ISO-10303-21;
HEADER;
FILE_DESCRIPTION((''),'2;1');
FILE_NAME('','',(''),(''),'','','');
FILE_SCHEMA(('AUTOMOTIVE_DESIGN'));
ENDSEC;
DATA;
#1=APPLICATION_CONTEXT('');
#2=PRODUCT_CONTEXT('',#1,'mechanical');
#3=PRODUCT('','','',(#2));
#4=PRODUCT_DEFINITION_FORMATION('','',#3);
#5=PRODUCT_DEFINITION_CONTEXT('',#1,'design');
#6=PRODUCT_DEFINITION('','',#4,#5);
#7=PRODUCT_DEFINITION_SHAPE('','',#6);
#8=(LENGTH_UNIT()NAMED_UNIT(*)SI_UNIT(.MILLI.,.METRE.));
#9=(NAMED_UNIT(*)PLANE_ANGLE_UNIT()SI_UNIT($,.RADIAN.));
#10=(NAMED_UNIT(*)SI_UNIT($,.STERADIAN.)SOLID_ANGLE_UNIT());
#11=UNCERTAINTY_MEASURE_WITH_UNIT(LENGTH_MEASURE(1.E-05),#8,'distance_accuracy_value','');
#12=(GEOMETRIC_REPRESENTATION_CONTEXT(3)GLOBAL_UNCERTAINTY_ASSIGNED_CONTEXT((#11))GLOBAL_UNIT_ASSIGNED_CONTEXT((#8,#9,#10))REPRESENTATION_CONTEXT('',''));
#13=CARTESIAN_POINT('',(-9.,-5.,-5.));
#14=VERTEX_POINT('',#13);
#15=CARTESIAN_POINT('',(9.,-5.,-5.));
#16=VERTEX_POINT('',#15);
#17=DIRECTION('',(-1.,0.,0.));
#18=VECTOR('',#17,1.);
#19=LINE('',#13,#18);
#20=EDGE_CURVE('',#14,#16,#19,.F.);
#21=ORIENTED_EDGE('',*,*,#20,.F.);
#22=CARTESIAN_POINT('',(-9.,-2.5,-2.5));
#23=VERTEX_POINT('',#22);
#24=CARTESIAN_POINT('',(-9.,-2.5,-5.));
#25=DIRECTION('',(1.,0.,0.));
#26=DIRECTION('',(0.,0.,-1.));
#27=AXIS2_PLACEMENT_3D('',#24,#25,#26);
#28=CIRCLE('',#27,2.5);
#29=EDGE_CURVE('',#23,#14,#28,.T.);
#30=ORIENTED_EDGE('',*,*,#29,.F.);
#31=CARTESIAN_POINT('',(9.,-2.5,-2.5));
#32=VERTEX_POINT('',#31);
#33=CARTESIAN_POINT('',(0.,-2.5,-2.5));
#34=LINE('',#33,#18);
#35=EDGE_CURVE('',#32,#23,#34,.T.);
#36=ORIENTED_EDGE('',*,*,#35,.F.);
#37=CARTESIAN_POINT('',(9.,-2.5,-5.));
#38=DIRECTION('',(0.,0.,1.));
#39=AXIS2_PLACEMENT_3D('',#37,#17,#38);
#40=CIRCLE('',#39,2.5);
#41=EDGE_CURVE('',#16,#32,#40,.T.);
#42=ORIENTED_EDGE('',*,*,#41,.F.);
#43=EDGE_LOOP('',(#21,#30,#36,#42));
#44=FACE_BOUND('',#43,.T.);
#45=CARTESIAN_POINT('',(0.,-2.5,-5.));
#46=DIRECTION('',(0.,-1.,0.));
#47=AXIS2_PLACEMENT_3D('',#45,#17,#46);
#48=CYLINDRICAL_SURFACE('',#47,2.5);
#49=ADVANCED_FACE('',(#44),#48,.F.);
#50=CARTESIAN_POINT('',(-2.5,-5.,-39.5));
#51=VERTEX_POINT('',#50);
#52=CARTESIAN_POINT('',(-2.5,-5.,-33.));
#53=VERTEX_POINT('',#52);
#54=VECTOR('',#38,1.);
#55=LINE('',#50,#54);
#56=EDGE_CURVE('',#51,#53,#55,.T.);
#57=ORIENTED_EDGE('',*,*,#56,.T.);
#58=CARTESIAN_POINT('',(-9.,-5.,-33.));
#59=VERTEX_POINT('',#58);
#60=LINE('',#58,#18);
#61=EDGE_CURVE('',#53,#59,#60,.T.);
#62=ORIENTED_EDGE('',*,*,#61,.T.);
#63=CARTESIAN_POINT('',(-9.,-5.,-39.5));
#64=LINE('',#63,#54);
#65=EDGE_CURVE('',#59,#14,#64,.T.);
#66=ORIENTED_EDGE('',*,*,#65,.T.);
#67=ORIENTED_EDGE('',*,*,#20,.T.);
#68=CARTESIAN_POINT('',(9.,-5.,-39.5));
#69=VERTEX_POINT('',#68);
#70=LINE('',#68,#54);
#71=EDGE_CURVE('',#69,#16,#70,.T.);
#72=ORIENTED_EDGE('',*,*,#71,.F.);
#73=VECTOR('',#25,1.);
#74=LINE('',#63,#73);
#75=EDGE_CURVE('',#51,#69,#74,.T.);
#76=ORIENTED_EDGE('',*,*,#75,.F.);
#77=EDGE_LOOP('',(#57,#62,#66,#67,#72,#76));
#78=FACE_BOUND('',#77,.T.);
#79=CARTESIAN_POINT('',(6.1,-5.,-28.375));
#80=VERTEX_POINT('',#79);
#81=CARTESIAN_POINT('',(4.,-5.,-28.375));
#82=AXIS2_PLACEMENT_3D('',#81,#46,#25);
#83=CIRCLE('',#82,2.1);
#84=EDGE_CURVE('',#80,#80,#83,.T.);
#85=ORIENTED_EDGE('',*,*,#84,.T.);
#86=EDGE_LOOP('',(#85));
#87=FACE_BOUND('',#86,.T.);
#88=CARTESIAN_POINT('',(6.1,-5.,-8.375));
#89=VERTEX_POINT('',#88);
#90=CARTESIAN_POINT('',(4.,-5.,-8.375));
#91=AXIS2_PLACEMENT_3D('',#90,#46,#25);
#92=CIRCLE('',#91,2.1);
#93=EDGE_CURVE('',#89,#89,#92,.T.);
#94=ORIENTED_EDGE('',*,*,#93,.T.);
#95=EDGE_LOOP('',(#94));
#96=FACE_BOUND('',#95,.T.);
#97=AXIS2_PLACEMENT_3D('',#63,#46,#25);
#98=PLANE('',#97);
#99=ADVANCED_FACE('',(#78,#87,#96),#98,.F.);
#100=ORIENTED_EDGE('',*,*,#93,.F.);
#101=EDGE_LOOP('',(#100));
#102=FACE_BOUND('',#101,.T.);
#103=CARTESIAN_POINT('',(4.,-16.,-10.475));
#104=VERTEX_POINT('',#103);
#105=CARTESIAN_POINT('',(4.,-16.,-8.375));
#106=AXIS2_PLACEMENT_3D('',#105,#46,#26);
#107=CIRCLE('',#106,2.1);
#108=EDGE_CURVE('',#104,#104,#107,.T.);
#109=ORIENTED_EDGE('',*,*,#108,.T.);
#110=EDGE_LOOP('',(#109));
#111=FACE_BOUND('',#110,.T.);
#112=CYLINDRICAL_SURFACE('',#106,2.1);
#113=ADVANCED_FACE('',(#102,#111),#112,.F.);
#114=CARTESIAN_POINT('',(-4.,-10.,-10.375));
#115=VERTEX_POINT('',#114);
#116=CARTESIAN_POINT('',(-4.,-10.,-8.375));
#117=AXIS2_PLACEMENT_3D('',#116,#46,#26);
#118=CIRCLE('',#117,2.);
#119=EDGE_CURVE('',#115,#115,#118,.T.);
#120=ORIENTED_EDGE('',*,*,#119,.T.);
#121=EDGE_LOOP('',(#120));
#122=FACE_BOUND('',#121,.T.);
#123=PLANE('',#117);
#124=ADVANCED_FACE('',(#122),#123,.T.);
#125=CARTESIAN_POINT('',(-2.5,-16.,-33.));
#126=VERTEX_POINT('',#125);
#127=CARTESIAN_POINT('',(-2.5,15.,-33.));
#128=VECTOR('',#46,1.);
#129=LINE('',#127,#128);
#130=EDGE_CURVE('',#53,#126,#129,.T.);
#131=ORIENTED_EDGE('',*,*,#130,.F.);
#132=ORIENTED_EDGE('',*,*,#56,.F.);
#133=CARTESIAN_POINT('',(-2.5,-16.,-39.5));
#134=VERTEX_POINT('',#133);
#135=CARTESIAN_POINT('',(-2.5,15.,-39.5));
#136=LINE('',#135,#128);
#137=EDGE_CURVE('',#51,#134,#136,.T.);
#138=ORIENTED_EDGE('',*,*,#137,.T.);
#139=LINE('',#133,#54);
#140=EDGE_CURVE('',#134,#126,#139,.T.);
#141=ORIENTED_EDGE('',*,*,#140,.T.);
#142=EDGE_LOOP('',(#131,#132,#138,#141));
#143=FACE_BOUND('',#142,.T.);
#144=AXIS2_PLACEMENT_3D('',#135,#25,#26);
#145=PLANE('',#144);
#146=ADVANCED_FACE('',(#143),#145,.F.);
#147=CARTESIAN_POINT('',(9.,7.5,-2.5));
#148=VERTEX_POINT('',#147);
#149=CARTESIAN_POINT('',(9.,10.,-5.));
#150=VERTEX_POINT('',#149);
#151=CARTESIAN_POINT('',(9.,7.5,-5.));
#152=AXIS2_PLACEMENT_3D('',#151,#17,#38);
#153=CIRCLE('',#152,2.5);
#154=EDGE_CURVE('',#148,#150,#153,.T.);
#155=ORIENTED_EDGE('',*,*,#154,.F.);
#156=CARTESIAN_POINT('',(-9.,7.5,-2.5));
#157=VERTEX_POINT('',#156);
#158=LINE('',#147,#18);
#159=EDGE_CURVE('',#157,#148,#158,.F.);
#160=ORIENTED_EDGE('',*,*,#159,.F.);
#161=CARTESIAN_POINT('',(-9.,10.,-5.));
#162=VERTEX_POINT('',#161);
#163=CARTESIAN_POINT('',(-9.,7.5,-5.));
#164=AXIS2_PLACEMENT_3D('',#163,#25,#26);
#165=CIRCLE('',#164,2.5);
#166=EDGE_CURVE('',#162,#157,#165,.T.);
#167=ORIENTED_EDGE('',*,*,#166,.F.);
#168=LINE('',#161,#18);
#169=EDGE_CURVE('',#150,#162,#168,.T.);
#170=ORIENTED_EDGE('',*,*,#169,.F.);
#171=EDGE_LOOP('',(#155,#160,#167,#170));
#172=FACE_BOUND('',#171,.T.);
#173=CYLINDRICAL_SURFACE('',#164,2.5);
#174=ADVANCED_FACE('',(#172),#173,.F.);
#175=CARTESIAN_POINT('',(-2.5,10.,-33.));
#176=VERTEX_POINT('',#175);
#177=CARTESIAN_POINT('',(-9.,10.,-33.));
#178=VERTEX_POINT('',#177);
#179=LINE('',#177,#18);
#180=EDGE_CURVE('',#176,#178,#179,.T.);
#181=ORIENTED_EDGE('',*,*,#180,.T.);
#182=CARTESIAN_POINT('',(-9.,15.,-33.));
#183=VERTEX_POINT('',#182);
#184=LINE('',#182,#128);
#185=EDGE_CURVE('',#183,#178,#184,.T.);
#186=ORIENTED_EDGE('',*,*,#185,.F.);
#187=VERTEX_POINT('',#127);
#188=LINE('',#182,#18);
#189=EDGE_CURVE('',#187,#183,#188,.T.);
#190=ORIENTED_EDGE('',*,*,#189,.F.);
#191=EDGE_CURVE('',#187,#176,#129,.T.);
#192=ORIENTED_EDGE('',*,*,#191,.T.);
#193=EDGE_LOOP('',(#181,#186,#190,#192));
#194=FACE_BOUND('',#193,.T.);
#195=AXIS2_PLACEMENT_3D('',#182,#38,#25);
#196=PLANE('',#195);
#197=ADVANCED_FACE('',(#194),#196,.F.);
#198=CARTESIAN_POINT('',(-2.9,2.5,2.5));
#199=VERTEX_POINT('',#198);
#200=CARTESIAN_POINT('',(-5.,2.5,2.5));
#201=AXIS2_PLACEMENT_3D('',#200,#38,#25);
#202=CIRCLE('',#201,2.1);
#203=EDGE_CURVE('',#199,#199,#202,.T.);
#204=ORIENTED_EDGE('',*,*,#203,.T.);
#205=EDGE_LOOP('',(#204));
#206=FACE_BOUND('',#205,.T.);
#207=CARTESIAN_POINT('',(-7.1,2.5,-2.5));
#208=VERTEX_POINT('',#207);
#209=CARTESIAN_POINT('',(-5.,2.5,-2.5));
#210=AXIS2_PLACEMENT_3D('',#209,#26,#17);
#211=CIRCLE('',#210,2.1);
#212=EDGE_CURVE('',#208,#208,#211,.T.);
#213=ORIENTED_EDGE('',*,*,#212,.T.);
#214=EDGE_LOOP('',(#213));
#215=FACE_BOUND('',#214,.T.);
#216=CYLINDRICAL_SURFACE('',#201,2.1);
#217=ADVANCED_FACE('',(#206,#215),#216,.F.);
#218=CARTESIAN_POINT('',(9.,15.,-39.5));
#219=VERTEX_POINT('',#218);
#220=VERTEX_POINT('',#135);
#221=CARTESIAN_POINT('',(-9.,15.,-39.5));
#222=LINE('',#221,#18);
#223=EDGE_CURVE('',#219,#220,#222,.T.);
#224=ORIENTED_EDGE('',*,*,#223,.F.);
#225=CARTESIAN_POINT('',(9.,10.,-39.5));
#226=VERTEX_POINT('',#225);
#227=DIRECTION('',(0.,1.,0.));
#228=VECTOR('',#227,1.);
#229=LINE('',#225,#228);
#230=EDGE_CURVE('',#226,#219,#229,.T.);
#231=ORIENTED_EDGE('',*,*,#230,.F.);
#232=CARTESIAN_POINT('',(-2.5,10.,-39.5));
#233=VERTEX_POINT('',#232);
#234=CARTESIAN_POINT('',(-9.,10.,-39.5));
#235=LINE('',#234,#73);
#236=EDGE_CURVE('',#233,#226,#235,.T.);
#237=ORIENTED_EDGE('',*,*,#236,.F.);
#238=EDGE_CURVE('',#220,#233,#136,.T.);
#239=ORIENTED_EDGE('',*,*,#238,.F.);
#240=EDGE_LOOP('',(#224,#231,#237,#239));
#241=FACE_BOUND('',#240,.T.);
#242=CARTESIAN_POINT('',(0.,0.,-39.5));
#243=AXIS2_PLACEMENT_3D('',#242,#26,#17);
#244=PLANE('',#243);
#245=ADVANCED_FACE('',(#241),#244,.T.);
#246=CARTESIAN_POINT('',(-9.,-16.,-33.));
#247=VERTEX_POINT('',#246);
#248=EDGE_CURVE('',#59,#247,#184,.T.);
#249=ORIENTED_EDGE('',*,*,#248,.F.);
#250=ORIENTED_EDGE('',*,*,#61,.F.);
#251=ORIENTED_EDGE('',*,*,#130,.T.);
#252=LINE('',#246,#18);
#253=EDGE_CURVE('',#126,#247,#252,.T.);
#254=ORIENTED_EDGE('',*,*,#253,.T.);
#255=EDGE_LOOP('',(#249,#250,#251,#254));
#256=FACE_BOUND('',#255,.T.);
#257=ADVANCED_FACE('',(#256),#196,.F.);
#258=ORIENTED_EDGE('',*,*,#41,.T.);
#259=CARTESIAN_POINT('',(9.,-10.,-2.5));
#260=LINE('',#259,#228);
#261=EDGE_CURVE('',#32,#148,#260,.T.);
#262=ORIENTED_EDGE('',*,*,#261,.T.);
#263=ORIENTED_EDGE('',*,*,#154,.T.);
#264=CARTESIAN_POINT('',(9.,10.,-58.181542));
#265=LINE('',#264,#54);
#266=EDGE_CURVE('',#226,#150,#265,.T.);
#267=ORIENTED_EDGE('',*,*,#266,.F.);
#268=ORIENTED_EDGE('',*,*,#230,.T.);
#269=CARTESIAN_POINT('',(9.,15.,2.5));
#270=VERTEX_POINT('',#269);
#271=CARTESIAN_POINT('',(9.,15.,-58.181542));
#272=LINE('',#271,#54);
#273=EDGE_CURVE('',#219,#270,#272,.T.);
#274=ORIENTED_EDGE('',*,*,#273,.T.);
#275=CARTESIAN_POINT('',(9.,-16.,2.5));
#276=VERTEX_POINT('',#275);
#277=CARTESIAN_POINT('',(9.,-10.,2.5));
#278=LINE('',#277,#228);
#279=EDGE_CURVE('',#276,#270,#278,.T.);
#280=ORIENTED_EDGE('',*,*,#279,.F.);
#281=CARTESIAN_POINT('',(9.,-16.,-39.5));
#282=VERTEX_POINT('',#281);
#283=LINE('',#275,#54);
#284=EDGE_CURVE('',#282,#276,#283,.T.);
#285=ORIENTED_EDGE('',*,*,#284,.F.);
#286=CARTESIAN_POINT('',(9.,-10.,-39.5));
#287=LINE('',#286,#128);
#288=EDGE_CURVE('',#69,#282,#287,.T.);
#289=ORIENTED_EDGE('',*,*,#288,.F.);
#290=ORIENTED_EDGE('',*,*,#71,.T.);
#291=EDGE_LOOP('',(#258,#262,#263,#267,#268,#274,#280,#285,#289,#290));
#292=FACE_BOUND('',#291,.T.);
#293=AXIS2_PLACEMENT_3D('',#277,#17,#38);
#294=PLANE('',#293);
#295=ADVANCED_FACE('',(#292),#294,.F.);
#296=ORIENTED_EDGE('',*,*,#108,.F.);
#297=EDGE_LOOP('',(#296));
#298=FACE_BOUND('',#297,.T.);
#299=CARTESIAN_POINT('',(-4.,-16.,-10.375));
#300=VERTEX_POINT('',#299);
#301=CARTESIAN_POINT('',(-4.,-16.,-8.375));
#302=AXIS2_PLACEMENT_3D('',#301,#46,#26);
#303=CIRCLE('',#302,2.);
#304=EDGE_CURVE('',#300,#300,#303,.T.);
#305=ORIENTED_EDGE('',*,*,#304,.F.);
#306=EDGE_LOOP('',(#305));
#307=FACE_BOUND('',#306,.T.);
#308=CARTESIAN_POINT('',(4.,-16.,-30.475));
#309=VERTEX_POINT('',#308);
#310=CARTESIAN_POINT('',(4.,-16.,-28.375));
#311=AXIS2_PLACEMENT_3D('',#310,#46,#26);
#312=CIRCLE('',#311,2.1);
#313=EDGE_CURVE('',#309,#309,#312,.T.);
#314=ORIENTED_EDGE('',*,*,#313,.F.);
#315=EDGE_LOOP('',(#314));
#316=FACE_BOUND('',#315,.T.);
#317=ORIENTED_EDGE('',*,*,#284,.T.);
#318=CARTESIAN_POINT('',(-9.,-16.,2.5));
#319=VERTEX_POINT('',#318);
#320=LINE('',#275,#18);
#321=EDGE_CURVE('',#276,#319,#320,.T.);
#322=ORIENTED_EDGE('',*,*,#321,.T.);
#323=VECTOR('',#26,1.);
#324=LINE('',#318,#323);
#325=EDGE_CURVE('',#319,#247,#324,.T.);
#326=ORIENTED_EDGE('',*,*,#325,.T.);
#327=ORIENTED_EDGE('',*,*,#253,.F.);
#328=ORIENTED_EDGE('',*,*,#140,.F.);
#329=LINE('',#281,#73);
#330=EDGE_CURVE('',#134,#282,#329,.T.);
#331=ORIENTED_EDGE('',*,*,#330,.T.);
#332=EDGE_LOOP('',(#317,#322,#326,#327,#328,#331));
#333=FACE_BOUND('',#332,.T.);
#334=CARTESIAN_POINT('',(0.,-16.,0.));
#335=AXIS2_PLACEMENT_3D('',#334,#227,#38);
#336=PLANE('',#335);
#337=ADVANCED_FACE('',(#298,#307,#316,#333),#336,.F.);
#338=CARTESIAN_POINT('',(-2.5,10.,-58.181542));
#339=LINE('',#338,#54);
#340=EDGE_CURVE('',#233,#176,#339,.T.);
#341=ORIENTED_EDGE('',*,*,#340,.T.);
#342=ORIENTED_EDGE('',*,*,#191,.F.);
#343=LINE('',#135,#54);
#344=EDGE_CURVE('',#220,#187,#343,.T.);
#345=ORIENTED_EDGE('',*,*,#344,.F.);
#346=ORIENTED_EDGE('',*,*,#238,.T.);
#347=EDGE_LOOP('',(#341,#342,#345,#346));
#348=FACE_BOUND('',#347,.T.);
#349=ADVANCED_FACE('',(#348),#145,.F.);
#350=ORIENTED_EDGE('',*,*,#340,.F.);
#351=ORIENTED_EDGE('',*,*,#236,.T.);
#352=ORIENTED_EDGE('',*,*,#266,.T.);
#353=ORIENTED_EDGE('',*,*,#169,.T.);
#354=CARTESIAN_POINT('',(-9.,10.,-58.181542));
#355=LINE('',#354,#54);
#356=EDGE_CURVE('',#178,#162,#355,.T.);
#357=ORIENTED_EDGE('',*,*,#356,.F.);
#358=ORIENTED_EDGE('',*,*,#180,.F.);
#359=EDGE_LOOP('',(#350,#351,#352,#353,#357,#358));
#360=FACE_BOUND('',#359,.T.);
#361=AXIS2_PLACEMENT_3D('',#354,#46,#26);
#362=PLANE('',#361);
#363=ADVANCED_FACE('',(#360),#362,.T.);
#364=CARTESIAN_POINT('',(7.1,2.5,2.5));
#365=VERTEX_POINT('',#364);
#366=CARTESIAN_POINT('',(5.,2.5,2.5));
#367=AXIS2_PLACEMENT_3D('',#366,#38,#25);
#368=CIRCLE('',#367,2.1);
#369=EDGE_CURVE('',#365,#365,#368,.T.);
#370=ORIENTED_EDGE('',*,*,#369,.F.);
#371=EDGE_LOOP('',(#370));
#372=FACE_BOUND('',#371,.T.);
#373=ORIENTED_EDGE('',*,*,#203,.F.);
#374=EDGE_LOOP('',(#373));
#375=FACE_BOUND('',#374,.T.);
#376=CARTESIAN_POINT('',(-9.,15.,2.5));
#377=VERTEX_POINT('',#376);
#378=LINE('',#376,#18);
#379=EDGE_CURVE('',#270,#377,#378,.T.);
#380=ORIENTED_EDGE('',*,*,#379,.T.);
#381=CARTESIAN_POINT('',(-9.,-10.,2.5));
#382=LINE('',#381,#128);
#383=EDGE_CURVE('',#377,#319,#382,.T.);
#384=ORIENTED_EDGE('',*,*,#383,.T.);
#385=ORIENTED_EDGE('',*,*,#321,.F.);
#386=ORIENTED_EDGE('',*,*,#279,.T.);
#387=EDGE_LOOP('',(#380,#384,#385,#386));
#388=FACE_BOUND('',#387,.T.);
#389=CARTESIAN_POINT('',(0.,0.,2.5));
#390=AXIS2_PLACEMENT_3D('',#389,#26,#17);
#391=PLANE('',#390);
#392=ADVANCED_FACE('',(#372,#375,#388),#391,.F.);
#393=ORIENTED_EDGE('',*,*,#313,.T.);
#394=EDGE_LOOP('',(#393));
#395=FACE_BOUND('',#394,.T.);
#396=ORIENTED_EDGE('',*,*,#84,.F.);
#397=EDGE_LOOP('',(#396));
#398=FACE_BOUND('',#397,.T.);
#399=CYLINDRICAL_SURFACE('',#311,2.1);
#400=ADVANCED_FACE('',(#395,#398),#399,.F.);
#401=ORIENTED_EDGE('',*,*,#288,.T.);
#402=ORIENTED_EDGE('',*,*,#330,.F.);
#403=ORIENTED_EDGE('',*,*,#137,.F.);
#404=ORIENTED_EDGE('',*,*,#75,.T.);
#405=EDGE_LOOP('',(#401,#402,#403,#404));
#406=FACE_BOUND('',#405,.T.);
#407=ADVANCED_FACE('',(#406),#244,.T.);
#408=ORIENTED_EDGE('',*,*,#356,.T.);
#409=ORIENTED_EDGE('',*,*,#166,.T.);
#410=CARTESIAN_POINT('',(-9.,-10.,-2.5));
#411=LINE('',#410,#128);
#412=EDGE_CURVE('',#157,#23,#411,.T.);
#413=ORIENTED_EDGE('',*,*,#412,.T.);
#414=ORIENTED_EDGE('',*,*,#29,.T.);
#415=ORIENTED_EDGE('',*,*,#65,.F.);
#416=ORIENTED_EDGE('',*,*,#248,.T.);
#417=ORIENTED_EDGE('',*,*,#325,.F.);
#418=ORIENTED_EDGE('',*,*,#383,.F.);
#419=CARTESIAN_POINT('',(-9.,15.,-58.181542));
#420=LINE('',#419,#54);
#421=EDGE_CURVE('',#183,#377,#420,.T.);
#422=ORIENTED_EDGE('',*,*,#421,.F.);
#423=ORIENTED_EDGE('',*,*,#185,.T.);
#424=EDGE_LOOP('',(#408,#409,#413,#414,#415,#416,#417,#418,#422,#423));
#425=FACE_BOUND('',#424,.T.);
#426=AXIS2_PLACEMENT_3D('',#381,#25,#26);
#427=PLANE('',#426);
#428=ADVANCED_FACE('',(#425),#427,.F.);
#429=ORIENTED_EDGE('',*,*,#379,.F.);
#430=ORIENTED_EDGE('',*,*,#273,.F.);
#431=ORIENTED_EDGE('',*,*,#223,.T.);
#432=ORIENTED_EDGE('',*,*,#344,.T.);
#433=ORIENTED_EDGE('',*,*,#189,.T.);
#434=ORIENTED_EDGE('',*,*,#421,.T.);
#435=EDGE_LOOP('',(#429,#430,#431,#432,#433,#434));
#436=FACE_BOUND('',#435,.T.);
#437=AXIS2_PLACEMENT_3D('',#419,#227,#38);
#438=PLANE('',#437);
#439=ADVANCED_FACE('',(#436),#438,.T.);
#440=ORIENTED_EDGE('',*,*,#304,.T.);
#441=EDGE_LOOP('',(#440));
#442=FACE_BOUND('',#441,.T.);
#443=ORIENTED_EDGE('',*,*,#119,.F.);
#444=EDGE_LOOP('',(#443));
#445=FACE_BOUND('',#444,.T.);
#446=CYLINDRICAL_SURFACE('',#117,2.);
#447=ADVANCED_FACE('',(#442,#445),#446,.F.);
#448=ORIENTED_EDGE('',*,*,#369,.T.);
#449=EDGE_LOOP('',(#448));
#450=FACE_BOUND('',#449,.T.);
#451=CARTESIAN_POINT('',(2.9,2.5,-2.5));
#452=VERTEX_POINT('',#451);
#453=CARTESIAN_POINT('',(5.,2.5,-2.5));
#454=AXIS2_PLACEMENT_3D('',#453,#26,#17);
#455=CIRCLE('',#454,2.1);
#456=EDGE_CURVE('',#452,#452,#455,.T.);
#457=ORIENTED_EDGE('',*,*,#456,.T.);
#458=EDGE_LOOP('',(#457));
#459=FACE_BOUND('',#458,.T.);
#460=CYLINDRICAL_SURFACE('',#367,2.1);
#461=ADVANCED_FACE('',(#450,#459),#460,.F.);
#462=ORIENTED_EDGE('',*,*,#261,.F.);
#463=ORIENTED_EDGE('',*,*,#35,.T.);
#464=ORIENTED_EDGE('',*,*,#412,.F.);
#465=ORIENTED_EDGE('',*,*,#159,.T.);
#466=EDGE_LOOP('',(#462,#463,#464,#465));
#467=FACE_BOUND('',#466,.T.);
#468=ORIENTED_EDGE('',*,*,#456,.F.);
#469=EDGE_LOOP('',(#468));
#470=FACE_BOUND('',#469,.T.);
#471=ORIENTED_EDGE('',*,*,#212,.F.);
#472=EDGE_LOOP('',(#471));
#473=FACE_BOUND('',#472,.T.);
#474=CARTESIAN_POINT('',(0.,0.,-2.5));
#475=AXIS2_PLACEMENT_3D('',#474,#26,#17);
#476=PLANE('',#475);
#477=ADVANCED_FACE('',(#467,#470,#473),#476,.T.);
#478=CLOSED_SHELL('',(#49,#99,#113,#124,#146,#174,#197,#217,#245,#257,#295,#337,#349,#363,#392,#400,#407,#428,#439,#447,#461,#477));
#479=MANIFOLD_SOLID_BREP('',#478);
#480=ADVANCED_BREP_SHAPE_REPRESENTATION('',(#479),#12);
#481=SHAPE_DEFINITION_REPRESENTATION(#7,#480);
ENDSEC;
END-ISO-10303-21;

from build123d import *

# Parameters (mm, degrees)
SKETCH1_W                                  = 18
SKETCH1_H                                  = 20
BOSS_EXTRUDE1_DEPTH                        = 2.5
SKETCH2_W                                  = 18
SKETCH2_H                                  = 5
BOSS_EXTRUDE2_DEPTH                        = 42
SKETCH7_W                                  = 18
SKETCH7_H                                  = 5
BOSS_EXTRUDE3_DEPTH                        = 42
CSK_FOR_M3_HEX_SOCKET_COUNTERSUNK_CAP_SC_D = 4.2
SKETCH10_W                                 = 18
SKETCH10_H                                 = 42
BOSS_EXTRUDE4_DEPTH                        = 6
SKETCH9_W                                  = 6.5
SKETCH9_H                                  = 6.5
CUT_EXTRUDE2_DEPTH                         = 52.01225343
TAPPED_HOLE_FOR_M4X0_7_HELICOIL1_D         = 4.2
TAPPED_HOLE_FOR_M4X0_7_HELICOIL1_DEPTH     = 11
SKETCH11_R                                 = 2
CUT_EXTRUDE3_DEPTH                         = 6
FILLET1_R                                  = 2.5


with BuildPart() as part:
    # Sketch1 → Boss-Extrude1 (new, symmetric)
    with BuildSketch(Plane.XY):
        Rectangle(SKETCH1_W, SKETCH1_H)
    extrude(amount=BOSS_EXTRUDE1_DEPTH, both=True)

    # Sketch2 → Boss-Extrude2 (add)
    with BuildSketch(Plane(origin=(0, 0, 2.5), x_dir=(-1, 0, 0), z_dir=(0, 0, -1))):
        with Locations((0, -7.5)):
            Rectangle(SKETCH2_W, SKETCH2_H)
    extrude(amount=BOSS_EXTRUDE2_DEPTH)

    # Sketch7 → Boss-Extrude3 (add)
    with BuildSketch(Plane.XY.offset(2.5)):
        with Locations((0, 12.5)):
            Rectangle(SKETCH7_W, SKETCH7_H)
    extrude(amount=-BOSS_EXTRUDE3_DEPTH)

    # CSK for M3 Hex Socket Countersunk Cap Screw1 (through all)
    with Locations(Plane.XY.offset(2.5)):
        with Locations((-5, 2.5), (5, 2.5)):
            Hole(CSK_FOR_M3_HEX_SOCKET_COUNTERSUNK_CAP_SC_D / 2)

    # Sketch10 → Boss-Extrude4 (add)
    with BuildSketch(Plane.XZ.offset(10)):
        with Locations((0, -18.5)):
            Rectangle(SKETCH10_W, SKETCH10_H)
    extrude(amount=BOSS_EXTRUDE4_DEPTH)

    # Sketch9 → Cut-Extrude2 (cut, through all)
    with BuildSketch(Plane.XZ.offset(16)):
        with Locations((-5.75, -36.25)):
            Rectangle(SKETCH9_W, SKETCH9_H)
    extrude(amount=-CUT_EXTRUDE2_DEPTH, mode=Mode.SUBTRACT)

    # Tapped Hole for M4x0.7 Helicoil1
    with Locations(Plane(origin=(0, -16, 0), x_dir=(-1, 0, 0), z_dir=(0, -1, 0))):
        with Locations((-4, 28.375), (-4, 8.375)):
            Hole(TAPPED_HOLE_FOR_M4X0_7_HELICOIL1_D / 2, depth=TAPPED_HOLE_FOR_M4X0_7_HELICOIL1_DEPTH)

    # Sketch11 → Cut-Extrude3 (cut)
    with BuildSketch(Plane(origin=(0, -16, 0), x_dir=(-1, 0, 0), z_dir=(0, -1, 0))):
        with Locations(Location((4, 8.375, 0), (0, 0, 90))):
            Circle(SKETCH11_R)
    extrude(amount=-CUT_EXTRUDE3_DEPTH, mode=Mode.SUBTRACT)

    # Fillet1
    fillet1_edges = [part.edges().sort_by_distance(p)[0] for p in [
        (0, -5, -2.5),
        (0, 10, -2.5),
    ]]
    fillet(fillet1_edges, radius=FILLET1_R)


solid = part.part
